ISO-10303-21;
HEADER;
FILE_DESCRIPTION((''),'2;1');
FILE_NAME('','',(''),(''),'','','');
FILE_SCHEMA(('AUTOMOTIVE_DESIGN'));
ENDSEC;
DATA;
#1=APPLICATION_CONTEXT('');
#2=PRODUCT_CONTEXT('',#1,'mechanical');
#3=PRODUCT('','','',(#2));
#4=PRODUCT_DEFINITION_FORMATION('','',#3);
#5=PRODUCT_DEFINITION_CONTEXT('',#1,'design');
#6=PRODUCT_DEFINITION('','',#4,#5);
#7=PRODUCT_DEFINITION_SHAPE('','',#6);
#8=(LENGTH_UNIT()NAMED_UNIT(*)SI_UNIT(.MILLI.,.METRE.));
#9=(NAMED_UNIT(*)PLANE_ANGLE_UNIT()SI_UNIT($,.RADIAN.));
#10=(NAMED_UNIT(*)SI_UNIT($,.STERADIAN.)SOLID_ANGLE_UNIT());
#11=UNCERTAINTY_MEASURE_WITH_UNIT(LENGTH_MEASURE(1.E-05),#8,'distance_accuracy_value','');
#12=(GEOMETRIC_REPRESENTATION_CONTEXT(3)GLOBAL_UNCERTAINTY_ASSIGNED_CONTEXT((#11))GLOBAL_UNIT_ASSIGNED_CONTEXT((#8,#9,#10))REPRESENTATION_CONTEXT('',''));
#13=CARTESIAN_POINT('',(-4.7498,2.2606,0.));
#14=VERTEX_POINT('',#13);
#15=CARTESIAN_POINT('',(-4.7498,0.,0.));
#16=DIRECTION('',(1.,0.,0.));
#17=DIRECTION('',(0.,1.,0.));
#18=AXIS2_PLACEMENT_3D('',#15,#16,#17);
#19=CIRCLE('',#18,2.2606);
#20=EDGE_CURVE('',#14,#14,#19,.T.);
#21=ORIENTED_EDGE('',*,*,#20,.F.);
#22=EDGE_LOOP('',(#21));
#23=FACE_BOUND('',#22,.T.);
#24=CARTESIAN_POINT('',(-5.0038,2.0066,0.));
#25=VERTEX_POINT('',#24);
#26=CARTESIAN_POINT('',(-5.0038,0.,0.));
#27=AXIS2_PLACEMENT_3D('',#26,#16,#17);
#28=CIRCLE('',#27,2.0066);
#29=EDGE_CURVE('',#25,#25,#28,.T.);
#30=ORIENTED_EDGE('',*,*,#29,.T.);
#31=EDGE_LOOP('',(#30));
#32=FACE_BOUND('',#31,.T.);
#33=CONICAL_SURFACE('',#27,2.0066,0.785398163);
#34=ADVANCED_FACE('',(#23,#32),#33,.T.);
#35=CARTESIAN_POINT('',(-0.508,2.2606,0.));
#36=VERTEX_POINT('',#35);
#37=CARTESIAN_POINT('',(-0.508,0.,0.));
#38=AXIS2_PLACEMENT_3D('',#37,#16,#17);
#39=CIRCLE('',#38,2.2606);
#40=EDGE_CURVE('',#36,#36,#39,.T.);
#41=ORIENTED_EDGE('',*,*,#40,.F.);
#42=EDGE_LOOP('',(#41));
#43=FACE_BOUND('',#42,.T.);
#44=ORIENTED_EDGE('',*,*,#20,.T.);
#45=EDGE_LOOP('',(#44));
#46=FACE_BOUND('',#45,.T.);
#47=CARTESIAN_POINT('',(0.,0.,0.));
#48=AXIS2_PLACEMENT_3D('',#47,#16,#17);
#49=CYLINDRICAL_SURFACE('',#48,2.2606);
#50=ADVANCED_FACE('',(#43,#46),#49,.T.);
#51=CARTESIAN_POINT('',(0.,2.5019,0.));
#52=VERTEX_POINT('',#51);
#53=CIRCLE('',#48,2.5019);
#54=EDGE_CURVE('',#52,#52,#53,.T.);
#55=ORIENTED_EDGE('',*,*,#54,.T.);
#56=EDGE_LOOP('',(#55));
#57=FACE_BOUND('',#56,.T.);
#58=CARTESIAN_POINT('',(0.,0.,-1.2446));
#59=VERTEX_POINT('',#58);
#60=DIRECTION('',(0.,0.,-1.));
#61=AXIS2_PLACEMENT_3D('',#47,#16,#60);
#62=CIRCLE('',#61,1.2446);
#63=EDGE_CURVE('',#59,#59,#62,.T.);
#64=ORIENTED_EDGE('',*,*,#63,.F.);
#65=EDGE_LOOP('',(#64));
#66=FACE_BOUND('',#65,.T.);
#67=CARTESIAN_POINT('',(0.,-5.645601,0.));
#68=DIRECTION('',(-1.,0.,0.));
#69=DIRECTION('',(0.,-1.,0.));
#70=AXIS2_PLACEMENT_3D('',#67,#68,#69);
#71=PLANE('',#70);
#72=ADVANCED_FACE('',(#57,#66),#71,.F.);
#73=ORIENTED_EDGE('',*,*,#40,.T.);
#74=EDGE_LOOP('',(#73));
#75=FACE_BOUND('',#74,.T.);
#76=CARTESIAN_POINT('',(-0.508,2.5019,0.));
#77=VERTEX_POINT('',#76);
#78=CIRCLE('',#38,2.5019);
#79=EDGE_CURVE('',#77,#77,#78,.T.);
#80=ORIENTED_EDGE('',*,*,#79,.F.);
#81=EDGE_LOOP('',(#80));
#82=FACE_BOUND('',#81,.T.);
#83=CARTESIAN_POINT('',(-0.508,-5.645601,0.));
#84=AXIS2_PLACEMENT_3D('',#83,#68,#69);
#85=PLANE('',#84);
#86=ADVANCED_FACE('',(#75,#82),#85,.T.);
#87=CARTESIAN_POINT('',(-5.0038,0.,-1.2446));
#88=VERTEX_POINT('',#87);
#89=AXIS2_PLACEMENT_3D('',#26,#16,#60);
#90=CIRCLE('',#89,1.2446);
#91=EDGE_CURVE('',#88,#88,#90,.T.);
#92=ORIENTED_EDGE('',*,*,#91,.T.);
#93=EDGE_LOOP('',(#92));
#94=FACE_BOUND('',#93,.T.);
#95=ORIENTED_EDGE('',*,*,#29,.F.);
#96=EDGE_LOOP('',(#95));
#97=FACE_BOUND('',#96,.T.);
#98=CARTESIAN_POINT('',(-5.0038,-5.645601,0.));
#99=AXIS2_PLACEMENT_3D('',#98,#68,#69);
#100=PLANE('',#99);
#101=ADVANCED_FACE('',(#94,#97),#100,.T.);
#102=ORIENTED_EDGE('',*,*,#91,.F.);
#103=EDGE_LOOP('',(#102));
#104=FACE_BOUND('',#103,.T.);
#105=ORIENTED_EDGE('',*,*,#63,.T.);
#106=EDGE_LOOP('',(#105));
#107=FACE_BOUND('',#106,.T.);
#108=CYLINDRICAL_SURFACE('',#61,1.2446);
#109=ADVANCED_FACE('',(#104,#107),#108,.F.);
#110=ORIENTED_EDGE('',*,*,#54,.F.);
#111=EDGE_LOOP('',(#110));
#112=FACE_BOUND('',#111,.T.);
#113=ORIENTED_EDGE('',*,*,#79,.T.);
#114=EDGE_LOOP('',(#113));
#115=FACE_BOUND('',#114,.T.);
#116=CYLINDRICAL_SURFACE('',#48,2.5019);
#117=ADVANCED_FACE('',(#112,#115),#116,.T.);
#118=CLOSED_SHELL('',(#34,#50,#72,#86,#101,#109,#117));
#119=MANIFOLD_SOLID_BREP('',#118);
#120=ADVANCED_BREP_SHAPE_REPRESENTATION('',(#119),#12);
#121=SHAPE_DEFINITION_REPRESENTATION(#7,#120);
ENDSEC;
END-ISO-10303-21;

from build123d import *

# Parameters (mm, degrees)
M3X0_25_4H_TAPPED_HOLE1_D = 2.4892


with BuildPart() as part:
    # Sketch1 one side → Revolve1 (revolve)
    with BuildSketch(Plane.XY, mode=Mode.PRIVATE) as revolve1_sk:
        Polygon((-0.508, -2.5019), (0, -2.5019), (0, 0), (-5.0038, 0), (-5.0038, -2.0066), (-4.7498, -2.2606), (-0.508, -2.2606), align=None)
    revolve(revolve1_sk.sketch.rotate(Axis((0, 0, 0), (-1, 0, 0)), 180), axis=Axis((0, 0, 0), (-1, 0, 0)))  # turned: the seam where the file's is

    # M3x0.25-4h Tapped Hole1 (through all)
    with Locations(Plane.YZ):
        with Locations((0, 0)):
            Hole(M3X0_25_4H_TAPPED_HOLE1_D / 2)


solid = part.part
